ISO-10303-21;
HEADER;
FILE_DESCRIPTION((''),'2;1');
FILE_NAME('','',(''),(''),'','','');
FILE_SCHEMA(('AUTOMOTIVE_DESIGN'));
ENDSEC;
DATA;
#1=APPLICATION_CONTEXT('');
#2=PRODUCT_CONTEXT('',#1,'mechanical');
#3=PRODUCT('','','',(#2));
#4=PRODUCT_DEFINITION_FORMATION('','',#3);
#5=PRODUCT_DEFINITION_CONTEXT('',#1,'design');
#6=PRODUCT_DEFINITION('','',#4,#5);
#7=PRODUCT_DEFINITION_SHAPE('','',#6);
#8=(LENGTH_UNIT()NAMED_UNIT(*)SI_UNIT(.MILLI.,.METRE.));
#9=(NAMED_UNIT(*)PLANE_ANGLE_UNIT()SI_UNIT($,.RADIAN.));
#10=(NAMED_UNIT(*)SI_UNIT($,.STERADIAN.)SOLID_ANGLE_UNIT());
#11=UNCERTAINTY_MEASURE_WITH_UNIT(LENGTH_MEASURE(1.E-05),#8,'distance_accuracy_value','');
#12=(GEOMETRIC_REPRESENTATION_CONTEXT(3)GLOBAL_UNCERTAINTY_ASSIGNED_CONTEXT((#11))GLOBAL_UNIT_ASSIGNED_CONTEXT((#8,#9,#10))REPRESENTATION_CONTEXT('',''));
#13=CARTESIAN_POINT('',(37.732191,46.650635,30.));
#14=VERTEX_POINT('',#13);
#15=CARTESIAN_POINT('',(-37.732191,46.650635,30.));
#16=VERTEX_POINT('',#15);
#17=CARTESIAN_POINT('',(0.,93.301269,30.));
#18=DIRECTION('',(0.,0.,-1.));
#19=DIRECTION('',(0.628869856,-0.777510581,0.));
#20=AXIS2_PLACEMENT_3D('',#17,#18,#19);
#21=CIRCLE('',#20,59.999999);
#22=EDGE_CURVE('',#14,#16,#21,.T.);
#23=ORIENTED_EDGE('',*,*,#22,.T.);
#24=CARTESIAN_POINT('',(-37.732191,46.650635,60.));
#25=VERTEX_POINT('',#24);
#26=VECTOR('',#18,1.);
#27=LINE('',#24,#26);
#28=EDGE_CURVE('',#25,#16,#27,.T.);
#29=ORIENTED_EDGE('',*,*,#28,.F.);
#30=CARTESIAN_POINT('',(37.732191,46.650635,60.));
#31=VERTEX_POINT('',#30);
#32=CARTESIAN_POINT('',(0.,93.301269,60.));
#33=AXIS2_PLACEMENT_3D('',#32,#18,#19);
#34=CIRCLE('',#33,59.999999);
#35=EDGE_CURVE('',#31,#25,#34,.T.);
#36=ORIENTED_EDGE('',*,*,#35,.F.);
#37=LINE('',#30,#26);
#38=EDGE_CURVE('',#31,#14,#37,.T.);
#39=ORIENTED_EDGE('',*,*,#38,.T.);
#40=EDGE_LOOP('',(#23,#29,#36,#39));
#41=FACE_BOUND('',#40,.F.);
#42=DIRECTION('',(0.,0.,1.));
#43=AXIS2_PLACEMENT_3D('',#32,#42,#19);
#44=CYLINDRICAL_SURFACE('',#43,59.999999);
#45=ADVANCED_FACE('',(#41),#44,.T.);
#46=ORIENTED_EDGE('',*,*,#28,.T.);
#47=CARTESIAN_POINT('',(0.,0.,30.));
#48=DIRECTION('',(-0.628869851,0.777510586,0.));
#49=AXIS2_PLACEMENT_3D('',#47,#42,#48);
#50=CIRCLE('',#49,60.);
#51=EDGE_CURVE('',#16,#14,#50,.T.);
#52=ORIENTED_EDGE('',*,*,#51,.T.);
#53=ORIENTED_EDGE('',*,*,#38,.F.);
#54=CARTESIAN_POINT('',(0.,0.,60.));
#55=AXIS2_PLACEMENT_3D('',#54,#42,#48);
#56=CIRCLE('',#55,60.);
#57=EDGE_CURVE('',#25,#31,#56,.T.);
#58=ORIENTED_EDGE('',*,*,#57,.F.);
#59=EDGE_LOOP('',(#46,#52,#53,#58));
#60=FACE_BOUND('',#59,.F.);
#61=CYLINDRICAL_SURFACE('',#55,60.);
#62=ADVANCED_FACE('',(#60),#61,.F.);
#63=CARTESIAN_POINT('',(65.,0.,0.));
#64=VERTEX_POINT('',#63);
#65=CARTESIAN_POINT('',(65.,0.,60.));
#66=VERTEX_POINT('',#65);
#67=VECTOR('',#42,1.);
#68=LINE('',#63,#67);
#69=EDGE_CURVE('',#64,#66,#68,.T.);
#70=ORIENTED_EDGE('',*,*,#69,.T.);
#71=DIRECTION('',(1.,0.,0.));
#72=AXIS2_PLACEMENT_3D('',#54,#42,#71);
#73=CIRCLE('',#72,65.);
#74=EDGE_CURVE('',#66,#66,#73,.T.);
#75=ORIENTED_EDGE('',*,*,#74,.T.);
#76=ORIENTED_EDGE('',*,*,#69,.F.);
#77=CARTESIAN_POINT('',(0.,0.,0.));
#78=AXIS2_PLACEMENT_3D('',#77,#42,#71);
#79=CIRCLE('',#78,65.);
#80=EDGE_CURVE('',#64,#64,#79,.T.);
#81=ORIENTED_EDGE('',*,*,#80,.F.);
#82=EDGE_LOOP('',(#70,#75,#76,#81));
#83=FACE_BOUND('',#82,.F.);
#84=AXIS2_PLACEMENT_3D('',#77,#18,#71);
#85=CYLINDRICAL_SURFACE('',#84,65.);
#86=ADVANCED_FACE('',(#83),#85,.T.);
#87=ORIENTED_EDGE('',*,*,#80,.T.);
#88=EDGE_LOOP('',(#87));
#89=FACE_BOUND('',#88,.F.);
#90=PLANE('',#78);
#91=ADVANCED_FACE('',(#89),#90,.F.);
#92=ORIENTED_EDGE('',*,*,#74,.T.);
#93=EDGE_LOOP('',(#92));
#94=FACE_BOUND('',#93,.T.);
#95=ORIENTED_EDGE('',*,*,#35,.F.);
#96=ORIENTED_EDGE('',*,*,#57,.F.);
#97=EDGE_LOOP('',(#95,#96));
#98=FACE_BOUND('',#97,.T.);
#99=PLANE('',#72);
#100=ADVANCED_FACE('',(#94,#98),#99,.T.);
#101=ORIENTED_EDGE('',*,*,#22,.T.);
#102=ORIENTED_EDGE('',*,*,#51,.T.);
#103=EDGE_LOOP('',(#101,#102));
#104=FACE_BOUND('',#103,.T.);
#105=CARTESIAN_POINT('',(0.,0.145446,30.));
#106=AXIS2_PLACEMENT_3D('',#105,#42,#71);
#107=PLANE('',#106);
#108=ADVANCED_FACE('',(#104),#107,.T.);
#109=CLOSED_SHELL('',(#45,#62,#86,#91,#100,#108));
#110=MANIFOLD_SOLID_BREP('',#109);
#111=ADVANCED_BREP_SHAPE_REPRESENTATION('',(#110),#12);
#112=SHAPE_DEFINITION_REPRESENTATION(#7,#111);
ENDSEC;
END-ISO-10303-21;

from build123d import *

# Parameters (mm, degrees)
F0_R     = 65
F1_DEPTH = 60
F3_DEPTH = 30


with BuildPart() as f1:
    # F0 (on Top) → F1 (new body)
    with BuildSketch(Plane.XY):
        Circle(F0_R)
    extrude(amount=F1_DEPTH)

    # F2 (on face) → F3 (cut)
    with BuildSketch(Plane.XY.offset(60)):
        with BuildLine():
            ThreePointArc((37.732191, 46.650635), (0, 33.30127), (-37.732191, 46.650635))
            ThreePointArc((-37.732191, 46.650635), (0, -60), (37.732191, 46.650635))
        make_face()
    extrude(amount=-F3_DEPTH, mode=Mode.SUBTRACT)


solid = f1.part
